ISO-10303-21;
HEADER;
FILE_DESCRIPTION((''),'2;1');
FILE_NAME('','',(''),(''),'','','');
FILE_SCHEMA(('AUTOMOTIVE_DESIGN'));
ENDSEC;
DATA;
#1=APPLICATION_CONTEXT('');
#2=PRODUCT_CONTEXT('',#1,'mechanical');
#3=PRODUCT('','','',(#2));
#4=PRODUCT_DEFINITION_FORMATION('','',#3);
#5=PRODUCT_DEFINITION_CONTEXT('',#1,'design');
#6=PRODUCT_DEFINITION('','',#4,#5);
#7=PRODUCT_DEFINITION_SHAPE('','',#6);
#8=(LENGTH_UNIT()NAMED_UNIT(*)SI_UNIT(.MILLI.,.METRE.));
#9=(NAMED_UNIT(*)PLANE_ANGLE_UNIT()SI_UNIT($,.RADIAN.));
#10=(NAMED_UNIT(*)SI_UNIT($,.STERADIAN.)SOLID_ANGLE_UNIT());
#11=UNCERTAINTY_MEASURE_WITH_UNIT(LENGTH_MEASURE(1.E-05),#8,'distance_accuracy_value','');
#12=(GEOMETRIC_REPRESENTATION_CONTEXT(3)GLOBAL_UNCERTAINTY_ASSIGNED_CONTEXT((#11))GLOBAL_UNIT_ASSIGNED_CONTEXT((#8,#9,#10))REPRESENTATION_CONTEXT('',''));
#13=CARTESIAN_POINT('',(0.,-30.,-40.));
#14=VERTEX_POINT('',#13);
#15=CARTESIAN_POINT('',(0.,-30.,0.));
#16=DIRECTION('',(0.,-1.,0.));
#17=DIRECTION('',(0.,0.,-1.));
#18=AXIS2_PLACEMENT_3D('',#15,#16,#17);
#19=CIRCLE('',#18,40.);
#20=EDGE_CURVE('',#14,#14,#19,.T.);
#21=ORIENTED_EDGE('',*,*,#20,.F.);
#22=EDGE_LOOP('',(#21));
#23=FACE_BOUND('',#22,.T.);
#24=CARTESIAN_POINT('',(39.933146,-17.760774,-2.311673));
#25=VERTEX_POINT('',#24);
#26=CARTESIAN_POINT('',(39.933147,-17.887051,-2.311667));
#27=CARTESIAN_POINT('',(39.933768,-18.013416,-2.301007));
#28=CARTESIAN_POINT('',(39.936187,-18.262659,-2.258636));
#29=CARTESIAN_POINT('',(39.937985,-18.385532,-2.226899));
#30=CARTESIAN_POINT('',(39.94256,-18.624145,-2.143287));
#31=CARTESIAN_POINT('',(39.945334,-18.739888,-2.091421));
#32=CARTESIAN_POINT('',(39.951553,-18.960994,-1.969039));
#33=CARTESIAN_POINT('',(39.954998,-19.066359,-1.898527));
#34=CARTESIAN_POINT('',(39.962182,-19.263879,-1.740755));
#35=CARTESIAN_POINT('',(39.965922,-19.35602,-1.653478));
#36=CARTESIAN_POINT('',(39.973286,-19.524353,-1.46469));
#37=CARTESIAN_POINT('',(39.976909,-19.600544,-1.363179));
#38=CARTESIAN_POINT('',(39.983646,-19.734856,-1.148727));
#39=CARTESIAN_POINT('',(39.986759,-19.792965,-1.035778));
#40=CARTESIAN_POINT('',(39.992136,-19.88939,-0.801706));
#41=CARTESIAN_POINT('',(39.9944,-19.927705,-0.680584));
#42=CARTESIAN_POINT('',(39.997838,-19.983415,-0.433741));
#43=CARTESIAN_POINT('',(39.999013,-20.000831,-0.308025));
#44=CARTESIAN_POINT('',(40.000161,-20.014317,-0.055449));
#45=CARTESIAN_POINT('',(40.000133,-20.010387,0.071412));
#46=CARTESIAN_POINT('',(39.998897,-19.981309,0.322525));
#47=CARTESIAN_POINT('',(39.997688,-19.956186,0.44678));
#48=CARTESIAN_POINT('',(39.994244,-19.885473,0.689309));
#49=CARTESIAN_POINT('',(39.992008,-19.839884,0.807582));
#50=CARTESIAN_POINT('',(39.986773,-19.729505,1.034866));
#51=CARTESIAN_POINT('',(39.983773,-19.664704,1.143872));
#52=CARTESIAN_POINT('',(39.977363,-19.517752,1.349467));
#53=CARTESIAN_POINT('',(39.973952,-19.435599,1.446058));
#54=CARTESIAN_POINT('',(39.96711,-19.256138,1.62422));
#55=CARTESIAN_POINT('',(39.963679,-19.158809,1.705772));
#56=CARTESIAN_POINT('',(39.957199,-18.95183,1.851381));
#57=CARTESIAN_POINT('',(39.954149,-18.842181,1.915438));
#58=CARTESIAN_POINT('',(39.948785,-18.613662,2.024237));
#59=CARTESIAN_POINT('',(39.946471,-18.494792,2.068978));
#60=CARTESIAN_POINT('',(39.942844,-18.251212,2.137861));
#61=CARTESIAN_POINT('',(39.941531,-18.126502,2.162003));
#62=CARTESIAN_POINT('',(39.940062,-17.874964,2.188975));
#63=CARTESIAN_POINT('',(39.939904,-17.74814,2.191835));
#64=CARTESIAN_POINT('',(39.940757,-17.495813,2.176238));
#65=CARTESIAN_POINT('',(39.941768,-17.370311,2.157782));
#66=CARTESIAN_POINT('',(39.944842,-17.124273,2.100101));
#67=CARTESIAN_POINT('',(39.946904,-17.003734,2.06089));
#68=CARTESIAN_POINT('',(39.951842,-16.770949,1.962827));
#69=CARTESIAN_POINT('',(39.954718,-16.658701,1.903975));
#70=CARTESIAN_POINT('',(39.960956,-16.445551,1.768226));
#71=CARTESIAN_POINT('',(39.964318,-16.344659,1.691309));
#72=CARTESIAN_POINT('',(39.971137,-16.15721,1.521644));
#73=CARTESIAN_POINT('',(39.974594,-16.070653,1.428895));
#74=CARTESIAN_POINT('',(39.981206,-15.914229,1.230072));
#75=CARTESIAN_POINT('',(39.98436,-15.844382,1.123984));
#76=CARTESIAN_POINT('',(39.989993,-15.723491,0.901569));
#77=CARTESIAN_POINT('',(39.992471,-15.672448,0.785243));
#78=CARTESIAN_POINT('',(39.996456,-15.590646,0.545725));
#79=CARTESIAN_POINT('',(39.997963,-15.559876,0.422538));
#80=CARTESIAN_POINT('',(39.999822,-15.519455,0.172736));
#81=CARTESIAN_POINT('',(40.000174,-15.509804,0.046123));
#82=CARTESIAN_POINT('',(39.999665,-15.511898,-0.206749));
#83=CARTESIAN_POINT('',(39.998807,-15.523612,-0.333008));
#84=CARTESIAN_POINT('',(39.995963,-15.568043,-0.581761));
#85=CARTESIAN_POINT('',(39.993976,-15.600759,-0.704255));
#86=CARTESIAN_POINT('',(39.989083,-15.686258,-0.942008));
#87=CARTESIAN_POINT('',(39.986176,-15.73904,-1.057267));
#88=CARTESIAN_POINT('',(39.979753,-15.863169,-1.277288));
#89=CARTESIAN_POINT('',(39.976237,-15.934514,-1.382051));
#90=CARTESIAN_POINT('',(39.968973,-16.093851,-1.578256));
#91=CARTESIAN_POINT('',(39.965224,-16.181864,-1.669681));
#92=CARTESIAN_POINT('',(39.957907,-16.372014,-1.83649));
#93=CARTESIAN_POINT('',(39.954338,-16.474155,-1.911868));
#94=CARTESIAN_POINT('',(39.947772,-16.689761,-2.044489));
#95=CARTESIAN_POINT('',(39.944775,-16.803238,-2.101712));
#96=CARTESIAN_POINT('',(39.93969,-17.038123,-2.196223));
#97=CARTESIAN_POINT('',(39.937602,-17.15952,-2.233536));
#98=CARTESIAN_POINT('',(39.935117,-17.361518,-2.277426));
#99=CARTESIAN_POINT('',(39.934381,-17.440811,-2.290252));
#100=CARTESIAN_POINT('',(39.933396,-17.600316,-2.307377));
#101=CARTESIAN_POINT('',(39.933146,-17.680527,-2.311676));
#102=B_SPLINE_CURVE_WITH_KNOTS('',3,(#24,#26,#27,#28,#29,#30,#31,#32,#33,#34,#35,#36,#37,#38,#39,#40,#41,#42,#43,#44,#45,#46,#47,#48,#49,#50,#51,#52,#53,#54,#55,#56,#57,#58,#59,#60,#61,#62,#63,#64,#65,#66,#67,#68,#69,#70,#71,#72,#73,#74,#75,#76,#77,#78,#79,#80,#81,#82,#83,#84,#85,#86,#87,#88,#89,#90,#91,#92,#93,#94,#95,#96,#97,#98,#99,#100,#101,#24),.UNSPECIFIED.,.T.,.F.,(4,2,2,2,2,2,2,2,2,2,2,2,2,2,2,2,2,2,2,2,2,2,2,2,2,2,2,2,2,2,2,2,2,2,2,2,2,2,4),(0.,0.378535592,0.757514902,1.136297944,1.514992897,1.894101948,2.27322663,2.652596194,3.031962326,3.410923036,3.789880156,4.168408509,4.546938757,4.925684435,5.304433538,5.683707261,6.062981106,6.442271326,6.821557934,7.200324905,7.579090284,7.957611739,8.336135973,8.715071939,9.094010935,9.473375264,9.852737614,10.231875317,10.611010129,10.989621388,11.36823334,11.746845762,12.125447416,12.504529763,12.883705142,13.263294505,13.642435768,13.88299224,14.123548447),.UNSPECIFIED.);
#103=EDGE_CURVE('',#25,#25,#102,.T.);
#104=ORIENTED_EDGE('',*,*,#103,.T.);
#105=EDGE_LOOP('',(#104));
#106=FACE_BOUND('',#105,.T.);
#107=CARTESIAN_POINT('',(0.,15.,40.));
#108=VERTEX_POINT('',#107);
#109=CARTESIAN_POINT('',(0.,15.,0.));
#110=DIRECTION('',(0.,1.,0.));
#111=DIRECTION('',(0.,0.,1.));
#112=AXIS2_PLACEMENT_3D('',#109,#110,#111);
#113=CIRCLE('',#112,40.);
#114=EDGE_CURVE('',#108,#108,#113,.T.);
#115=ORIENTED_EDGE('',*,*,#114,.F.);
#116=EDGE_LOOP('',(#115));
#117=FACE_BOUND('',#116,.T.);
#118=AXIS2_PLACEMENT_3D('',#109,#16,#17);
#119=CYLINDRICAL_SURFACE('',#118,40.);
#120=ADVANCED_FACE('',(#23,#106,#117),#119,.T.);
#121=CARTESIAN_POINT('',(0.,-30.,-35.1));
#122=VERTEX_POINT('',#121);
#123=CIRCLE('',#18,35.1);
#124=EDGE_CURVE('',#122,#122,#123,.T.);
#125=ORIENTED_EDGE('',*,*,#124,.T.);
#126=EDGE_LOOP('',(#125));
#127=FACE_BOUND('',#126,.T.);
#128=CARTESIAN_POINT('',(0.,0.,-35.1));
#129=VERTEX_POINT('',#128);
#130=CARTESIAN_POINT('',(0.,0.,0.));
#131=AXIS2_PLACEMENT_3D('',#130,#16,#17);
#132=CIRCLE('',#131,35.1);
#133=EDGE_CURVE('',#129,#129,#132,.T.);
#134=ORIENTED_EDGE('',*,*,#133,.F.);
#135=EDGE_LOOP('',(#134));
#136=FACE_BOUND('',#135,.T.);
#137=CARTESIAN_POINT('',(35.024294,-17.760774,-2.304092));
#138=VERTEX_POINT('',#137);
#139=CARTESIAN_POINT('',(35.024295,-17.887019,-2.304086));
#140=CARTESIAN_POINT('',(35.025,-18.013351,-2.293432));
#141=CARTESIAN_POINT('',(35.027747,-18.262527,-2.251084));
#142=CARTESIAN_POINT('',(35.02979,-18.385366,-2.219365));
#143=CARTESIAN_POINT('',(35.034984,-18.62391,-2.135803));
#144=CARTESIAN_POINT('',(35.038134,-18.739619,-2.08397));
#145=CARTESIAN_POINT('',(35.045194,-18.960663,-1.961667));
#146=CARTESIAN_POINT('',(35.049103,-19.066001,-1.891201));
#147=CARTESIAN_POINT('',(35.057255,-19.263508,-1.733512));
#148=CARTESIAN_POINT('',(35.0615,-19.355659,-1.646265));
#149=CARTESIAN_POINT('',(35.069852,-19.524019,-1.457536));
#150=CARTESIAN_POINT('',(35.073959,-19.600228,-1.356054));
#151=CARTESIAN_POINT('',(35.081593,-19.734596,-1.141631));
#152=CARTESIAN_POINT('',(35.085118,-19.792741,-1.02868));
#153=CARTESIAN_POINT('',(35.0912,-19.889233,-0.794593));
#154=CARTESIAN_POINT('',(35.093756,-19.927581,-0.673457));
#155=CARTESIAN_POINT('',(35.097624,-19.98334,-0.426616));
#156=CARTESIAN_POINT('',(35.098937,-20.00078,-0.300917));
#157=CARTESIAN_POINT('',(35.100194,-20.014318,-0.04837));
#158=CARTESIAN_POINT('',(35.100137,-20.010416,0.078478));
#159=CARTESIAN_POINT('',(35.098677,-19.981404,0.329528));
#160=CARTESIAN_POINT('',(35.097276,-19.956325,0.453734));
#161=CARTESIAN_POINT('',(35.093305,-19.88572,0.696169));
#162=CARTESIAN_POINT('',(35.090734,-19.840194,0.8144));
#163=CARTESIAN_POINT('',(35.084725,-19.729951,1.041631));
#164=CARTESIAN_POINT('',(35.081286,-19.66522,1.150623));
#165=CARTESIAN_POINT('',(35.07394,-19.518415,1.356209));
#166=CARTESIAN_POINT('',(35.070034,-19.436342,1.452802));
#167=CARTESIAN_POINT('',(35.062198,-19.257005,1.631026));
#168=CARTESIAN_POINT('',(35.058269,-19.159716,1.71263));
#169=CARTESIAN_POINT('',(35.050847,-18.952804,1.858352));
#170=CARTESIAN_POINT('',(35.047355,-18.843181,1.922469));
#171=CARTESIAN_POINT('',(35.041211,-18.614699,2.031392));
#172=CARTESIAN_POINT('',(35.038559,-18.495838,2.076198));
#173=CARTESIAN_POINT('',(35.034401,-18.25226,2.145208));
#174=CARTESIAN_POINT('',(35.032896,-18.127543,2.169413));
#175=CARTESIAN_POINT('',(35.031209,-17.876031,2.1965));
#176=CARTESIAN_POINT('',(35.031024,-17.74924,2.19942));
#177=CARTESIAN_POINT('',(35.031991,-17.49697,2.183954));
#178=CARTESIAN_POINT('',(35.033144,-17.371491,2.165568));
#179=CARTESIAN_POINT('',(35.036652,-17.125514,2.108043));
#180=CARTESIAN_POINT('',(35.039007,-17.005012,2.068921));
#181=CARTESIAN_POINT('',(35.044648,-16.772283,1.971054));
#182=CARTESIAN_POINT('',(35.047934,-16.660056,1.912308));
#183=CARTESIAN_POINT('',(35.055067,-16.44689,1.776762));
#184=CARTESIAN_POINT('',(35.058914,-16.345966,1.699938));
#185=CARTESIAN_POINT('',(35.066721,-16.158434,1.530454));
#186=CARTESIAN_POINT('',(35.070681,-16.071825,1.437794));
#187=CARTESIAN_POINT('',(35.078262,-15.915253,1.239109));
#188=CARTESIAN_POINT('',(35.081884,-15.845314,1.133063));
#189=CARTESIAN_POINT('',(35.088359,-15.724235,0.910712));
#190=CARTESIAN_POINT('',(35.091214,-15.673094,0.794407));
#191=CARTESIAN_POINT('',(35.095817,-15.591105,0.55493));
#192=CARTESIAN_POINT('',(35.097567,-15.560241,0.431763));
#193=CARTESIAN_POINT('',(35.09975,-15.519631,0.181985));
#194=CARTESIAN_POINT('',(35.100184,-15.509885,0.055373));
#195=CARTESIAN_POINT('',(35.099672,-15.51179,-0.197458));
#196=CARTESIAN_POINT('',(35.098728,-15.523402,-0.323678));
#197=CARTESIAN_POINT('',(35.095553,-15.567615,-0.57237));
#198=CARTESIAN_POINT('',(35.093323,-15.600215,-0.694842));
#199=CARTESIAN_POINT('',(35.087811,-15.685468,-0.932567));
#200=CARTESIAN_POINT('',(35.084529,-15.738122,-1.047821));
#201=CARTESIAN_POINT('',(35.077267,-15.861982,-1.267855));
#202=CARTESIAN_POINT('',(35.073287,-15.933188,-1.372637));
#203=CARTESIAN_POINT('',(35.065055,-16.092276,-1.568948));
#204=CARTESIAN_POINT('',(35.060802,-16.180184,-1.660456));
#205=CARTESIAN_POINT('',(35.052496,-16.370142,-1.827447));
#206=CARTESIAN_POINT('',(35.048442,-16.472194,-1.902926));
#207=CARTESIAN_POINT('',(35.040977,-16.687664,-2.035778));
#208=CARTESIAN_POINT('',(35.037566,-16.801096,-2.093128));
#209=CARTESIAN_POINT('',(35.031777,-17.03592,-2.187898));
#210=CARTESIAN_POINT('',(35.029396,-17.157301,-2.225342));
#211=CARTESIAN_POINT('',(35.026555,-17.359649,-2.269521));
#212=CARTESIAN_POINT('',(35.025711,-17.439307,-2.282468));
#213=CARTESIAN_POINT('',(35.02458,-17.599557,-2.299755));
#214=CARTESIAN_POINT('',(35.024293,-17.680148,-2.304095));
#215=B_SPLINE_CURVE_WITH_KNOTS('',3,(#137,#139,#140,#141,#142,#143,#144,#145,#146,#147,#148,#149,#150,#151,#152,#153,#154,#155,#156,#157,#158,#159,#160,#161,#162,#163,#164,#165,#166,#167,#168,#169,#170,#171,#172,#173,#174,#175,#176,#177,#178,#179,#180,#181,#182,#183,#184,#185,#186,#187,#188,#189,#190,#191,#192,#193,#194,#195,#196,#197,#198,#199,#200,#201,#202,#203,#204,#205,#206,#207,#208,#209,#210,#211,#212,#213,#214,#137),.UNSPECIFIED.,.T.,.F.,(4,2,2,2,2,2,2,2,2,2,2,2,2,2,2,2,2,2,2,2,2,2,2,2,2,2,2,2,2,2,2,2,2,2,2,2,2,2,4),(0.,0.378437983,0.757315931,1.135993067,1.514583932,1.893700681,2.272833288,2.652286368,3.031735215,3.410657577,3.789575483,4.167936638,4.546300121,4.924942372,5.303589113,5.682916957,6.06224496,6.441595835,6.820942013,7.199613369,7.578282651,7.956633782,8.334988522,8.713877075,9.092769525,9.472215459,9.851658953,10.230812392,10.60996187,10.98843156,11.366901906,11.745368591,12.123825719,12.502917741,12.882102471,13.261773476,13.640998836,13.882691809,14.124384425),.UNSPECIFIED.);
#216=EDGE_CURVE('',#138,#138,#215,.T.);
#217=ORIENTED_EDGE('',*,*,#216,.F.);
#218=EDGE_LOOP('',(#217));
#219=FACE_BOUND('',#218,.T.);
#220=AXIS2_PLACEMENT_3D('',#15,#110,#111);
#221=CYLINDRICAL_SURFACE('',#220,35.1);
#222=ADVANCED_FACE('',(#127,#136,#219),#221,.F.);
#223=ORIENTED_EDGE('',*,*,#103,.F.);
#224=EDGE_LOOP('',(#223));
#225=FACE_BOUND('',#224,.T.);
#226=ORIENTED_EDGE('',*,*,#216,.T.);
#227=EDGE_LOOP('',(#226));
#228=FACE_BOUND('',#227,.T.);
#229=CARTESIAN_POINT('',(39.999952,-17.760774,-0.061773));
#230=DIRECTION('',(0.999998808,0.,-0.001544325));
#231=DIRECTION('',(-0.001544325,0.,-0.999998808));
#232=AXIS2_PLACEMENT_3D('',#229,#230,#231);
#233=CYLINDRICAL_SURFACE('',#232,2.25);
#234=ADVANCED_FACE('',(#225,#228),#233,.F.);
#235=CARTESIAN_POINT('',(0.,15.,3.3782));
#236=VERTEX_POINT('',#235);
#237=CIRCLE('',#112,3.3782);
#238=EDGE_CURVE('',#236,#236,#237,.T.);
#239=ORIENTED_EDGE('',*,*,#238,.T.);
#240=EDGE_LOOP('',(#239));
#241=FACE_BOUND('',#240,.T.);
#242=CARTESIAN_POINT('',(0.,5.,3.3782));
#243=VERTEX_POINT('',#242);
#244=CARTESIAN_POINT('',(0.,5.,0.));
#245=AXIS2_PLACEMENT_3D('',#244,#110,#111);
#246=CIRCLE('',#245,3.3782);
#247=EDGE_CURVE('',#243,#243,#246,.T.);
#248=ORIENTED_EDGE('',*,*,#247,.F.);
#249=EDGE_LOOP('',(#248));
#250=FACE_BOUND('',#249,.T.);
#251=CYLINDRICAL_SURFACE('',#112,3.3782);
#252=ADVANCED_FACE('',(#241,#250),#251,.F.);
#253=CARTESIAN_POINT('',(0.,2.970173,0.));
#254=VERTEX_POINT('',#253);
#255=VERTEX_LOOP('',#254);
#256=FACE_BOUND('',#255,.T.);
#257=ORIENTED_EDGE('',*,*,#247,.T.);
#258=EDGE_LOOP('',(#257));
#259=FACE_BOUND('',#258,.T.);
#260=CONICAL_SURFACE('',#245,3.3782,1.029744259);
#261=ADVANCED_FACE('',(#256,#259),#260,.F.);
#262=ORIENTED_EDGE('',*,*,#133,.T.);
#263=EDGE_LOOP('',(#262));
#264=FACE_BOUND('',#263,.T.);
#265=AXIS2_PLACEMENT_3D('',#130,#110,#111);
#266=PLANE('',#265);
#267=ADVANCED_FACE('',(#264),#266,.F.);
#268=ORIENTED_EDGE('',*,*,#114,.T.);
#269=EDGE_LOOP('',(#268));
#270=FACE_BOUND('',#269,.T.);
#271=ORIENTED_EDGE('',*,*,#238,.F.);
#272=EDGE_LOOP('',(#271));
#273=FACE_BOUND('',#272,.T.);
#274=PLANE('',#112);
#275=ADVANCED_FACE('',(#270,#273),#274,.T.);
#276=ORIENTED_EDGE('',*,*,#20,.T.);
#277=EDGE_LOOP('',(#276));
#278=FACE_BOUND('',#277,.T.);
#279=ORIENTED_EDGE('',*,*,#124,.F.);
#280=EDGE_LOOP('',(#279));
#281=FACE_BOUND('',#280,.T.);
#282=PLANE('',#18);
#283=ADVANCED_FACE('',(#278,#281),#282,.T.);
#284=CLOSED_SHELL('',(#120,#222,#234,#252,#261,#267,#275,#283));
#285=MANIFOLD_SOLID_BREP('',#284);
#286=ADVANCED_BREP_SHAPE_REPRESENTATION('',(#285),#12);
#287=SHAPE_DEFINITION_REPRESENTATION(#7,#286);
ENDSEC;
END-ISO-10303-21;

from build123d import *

# Parameters (mm, degrees)
ESQUISSE1_R           = 40
BOSS_EXTRU_1_DEPTH    = 15
ESQUISSE5_R           = 40
ESQUISSE5_R_2         = 35.1
BOSS_EXTRU_2_DEPTH    = 30
D_GAGEMENT_M41_REACH  = 97.28
D_GAGEMENT_M41_BORE_R = 2.25


with BuildPart() as part:
    # Esquisse1 → Boss.-Extru.1 (new body)
    with BuildSketch(Plane(origin=(0, 0, 0), x_dir=(1, 0, 0), z_dir=(0, 1, 0))):
        with Locations(Location((0, 0, 0), (0, 0, 270))):
            Circle(ESQUISSE1_R)
    extrude(amount=BOSS_EXTRU_1_DEPTH)

    # Esquisse5 → Boss.-Extru.2 (add)
    with BuildSketch(Plane.XZ):
        with Locations(Location((0, 0, 0), (0, 0, 270))):
            Circle(ESQUISSE5_R)
        with Locations(Location((0, 0, 0), (0, 0, 270))):
            Circle(ESQUISSE5_R_2, mode=Mode.SUBTRACT)
    extrude(amount=BOSS_EXTRU_2_DEPTH)

    # Dégagement M41 bore (on position points) → Dégagement M41 (cut, up to next)
    with BuildSketch(Plane(origin=(39.999952301, -17.76077449, -0.061772988), x_dir=(0.0015443247, 0, 0.99999880753), z_dir=(0.99999880753, 0, -0.0015443247)), mode=Mode.PRIVATE) as d_gagement_m41_sk1:
        Circle(D_GAGEMENT_M41_BORE_R)
    d_gagement_m41_tool1 = extrude(d_gagement_m41_sk1.sketch, amount=-D_GAGEMENT_M41_REACH, mode=Mode.PRIVATE) & part.part
    add(d_gagement_m41_tool1.solids().sort_by_distance((39.999952, -17.760774, -0.061773))[0], mode=Mode.SUBTRACT)

    # Esquisse11 → Dégagement 1/41 (revolve, cut)
    with BuildSketch(Plane(origin=(0, 15, 0), x_dir=(0, 0, 1), z_dir=(1, 0, 0))):
        Polygon((0, 0), (0, 12.029827343), (3.3782, 10), (3.3782, 0), align=None)
    revolve(axis=Axis((0, 21.35, 0), (0, -1, 0)), mode=Mode.SUBTRACT)


solid = part.part
